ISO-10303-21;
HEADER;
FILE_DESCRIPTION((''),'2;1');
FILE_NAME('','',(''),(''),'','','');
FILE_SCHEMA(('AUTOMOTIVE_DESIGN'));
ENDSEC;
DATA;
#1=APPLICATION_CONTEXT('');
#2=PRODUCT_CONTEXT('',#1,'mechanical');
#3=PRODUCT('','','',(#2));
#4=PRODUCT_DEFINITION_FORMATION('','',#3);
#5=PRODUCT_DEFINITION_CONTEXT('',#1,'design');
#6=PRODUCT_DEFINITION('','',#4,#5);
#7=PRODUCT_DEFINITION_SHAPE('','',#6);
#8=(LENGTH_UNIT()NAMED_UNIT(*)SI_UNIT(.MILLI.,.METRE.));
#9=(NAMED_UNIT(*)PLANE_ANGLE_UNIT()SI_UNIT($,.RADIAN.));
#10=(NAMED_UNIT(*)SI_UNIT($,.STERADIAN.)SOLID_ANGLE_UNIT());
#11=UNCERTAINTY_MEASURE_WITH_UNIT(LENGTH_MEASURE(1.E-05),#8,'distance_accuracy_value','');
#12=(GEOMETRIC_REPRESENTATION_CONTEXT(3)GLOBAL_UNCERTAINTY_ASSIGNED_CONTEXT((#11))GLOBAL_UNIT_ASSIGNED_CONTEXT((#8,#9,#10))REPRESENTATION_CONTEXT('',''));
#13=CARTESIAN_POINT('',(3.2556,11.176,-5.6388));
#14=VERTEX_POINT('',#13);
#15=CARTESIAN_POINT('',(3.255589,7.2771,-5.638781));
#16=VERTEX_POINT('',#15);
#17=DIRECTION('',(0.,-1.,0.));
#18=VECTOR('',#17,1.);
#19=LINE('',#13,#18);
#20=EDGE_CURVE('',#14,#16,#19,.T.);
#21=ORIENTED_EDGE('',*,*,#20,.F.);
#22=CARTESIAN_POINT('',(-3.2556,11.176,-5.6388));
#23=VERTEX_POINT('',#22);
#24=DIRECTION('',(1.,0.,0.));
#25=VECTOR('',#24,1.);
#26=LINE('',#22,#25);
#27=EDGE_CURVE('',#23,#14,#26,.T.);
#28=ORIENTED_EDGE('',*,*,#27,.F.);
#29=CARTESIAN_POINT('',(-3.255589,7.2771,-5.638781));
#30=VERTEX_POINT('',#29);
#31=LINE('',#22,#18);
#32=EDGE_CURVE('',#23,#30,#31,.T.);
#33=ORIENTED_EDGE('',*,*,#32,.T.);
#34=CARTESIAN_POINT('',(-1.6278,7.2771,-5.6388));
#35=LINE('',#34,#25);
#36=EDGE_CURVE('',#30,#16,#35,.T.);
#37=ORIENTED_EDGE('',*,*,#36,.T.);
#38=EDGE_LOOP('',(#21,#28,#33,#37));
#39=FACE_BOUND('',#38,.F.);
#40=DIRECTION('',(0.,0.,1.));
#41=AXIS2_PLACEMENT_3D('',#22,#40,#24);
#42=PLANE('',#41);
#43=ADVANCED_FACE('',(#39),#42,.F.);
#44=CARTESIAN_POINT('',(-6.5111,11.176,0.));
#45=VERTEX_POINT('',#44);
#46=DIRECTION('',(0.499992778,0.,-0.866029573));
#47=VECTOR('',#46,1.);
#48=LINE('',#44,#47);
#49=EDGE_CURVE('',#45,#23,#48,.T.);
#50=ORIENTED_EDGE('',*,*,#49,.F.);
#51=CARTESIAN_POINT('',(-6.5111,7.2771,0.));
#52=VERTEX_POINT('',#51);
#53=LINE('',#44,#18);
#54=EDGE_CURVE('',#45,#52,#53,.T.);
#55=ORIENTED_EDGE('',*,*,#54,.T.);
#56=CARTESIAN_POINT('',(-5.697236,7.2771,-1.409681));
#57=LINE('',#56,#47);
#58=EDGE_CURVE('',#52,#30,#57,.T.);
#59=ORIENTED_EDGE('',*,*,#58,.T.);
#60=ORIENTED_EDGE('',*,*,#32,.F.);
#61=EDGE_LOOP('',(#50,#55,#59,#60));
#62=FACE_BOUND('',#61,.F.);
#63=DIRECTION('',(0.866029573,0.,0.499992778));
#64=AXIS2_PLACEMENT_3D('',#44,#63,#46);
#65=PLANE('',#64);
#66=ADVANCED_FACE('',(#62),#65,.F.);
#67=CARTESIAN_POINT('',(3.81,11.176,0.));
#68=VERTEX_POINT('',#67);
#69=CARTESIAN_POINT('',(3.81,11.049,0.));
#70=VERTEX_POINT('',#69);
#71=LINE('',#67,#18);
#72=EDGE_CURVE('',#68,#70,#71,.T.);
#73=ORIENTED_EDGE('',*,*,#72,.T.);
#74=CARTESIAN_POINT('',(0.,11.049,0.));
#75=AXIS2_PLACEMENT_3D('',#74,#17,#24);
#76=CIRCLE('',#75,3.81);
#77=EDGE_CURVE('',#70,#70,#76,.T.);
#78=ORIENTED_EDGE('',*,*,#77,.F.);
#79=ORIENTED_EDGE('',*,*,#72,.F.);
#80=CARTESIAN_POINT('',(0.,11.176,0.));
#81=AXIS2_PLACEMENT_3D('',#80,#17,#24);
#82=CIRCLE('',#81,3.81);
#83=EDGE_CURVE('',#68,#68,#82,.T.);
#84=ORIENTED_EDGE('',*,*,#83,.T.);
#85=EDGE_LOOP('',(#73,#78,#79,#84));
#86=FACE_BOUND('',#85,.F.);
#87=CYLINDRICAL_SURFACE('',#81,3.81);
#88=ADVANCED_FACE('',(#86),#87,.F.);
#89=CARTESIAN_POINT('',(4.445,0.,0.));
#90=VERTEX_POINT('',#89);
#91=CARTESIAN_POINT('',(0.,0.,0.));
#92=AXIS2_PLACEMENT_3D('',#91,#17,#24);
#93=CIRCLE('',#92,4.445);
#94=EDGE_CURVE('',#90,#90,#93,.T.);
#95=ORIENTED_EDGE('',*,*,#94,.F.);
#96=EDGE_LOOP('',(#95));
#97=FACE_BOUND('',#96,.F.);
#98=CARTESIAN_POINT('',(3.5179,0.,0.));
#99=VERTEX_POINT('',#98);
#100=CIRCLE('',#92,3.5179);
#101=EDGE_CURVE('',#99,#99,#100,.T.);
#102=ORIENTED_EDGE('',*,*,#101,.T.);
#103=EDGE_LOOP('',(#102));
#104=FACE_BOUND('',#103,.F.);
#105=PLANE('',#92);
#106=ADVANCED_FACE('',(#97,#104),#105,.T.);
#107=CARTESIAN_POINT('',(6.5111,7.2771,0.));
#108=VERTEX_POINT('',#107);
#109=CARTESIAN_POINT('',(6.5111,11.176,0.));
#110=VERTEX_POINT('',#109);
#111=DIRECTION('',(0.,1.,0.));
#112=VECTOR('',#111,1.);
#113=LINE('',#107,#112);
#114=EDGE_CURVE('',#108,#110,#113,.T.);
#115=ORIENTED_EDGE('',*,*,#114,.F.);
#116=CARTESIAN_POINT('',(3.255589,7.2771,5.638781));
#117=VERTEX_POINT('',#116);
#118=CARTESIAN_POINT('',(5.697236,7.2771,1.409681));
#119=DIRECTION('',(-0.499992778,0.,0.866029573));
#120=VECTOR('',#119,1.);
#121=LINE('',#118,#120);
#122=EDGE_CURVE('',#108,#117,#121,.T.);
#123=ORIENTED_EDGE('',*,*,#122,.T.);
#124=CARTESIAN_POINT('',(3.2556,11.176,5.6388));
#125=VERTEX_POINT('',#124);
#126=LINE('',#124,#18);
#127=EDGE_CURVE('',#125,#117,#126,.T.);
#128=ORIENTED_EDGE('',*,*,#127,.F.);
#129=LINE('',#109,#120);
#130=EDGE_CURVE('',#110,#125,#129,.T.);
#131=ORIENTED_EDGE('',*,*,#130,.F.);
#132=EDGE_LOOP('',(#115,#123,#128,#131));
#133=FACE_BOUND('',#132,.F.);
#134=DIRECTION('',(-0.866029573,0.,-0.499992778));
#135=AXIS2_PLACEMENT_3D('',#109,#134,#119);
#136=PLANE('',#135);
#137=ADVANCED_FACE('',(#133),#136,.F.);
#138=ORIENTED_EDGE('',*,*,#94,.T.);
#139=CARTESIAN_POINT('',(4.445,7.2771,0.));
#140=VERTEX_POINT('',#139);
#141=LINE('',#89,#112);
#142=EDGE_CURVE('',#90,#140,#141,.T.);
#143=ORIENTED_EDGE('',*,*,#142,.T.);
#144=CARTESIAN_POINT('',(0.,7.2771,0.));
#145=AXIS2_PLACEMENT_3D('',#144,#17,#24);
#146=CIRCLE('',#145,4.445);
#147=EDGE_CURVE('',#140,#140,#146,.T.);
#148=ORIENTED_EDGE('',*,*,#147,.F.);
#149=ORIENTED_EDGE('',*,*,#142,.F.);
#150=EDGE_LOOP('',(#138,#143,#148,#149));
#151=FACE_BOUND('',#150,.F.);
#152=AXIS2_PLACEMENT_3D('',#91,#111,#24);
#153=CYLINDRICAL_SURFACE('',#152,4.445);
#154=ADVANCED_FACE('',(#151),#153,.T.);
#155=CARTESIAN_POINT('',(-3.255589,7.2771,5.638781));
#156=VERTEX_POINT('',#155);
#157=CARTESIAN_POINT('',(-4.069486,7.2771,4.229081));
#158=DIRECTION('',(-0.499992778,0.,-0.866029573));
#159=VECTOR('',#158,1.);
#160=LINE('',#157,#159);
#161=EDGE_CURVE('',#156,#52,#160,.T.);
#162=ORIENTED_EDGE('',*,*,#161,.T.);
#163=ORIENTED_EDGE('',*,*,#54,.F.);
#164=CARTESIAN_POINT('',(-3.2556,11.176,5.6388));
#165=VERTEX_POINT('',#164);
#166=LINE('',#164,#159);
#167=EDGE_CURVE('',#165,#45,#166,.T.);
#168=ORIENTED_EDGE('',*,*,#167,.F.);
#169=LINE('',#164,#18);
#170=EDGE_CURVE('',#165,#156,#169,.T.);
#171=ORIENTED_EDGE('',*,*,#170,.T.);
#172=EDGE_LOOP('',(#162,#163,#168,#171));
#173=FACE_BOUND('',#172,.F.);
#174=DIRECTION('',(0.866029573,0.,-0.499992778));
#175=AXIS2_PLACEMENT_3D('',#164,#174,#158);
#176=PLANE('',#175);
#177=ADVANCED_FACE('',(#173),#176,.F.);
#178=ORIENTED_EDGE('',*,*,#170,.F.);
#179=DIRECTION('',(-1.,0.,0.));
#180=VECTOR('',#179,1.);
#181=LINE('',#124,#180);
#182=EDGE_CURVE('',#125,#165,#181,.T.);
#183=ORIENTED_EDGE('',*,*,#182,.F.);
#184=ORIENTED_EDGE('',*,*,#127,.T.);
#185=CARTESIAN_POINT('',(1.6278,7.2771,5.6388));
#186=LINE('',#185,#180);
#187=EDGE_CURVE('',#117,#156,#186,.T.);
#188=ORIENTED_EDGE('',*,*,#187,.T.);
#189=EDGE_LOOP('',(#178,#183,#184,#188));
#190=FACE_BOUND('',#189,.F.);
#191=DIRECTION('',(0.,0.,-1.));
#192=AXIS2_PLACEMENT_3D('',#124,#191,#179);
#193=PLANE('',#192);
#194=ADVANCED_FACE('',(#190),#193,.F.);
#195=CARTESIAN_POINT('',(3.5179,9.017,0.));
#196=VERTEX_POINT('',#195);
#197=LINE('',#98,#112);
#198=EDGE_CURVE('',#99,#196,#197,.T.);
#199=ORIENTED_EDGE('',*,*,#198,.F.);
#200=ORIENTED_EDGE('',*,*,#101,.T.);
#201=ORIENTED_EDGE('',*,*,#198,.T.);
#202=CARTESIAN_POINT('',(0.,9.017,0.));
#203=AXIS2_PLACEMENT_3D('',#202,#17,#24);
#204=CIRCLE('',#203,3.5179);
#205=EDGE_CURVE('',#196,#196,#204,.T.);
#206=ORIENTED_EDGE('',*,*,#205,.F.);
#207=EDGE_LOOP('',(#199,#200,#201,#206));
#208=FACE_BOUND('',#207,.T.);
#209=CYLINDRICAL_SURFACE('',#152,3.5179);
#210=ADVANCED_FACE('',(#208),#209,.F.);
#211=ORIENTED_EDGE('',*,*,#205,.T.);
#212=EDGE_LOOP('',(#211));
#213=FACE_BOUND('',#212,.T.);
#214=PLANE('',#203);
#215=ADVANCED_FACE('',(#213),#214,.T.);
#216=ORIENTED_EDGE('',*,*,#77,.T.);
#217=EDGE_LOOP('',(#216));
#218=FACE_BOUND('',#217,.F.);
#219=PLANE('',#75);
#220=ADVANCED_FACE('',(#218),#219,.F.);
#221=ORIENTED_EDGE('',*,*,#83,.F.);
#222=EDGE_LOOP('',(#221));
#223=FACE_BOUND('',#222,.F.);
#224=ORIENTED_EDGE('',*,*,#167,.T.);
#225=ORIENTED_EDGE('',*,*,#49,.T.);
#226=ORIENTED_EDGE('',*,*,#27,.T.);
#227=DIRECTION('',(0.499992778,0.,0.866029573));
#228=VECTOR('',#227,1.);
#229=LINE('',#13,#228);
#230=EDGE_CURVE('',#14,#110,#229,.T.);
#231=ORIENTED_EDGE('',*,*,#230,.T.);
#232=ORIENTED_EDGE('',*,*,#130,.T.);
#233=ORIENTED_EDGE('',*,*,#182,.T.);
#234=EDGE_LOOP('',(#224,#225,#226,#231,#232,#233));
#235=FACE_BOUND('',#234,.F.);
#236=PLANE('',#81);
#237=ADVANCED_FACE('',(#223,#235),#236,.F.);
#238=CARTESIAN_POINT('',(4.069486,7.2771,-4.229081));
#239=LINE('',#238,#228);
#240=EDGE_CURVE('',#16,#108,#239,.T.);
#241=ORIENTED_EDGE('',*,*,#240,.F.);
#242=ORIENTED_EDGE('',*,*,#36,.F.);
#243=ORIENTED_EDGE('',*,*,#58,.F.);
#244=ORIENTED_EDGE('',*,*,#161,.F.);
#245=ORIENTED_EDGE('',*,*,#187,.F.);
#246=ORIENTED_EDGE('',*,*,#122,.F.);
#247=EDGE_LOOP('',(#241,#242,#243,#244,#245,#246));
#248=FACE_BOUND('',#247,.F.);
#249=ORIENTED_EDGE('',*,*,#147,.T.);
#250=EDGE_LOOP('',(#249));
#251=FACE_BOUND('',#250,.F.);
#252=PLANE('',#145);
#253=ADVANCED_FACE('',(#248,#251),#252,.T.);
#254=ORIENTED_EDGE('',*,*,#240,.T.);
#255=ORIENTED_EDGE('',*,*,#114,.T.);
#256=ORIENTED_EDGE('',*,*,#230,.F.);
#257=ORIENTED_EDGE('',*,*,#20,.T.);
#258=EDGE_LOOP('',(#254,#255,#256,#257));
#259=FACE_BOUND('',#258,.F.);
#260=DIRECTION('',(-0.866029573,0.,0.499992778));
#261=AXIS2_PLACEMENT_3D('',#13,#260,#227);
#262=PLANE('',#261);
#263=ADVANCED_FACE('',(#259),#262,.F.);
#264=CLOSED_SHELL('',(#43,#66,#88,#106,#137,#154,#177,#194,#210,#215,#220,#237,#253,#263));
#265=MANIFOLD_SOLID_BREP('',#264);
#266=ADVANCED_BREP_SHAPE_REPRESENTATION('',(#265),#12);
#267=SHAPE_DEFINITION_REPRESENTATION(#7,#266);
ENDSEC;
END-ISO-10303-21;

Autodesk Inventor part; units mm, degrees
ref_plane "YZ Plane" through (0, 0, 0) normal (1, 0, 0) x (0, 1, 0)
ref_plane "XZ Plane" through (0, 0, 0) normal (0, 1, 0) x (-1, 0, 0)
ref_plane "XY Plane" through (0, 0, 0) normal (0, 0, 1) x (1, 0, 0)
sketch "Sketch1" plane through (0, 0, 0) normal (0, 0, 1) x (1, 0, 0)
  line L0 (0, 0) -> (4.445, 0)
  line L1 (4.445, 0) -> (4.445, 7.2771)
  line L2 (4.445, 7.2771) -> (6.5111, 7.2771)
  line L3 (6.5111, 7.2771) -> (6.5111, 11.176)
  line L4 (6.5111, 11.176) -> (0, 11.176)
  line L5 (0, 11.176) -> (0, 0)
  line L6 (6.5111, 11.176) -> (3.2556, 5.5372) construction
  line L7 (3.2556, 5.5372) -> (-3.2556, 5.5372) construction
  line L8 (-3.2556, 5.5372) -> (-6.5111, 11.176) construction
  line L9 (-6.5111, 11.176) -> (-3.2556, 16.8148) construction
  line L10 (-3.2556, 16.8148) -> (3.2556, 16.8148) construction
  line L11 (3.2556, 16.8148) -> (6.5111, 11.176) construction
  line L12 (3.81, 11.176) -> (3.81, 11.049)
  line L13 (3.81, 11.049) -> (0, 11.049)
  line L14 (3.5179, 0) -> (3.5179, 9.017)
  line L15 (3.5179, 9.017) -> (0, 9.017)
  dimension "d0" = 8.89
  dimension "d2" = 3.8989
  dimension "d3" = 11.2776
  dimension "d7" = 11.176
  dimension "d8" = 7.62
  dimension "d9" = 0.127
  dimension "d10" = 7.0358
  dimension "d11" = 9.017
revolve "Revolution1" add sketch "Sketch1" angle 360 about axis through (0, 11.176, 0) along (0, -1, 0) contours L14 L15 L5 L13 L12 L4 L3 L2 L1 L0
sketch "Sketch2" plane through (0, 11.176, 0) normal (0, 1, 0) x (1, 0, 0)
  line L0 (6.5111, 0) -> (3.2556, -5.6388)
  line L1 (3.2556, -5.6388) -> (-3.2556, -5.6388)
  line L2 (-3.2556, -5.6388) -> (-6.5111, 0)
  line L3 (-6.5111, 0) -> (-3.2556, 5.6388)
  line L4 (-3.2556, 5.6388) -> (3.2556, 5.6388)
  line L5 (3.2556, 5.6388) -> (6.5111, 0)
  circle A0 centre (0, 0) radius 6.5111 projected
extrude "Extrusion1" cut sketch "Sketch2" against normal through all contours A0 L0 | L5 A0 | A0 L1 | L4 A0 | A0 L2 | L3 A0
thread "Thread1" size "1/8" designation "1/8 - 27 NPT" standard "NPT" length 9.9568
properties part number "9833K21" material "BRONZE, SAE 841"
